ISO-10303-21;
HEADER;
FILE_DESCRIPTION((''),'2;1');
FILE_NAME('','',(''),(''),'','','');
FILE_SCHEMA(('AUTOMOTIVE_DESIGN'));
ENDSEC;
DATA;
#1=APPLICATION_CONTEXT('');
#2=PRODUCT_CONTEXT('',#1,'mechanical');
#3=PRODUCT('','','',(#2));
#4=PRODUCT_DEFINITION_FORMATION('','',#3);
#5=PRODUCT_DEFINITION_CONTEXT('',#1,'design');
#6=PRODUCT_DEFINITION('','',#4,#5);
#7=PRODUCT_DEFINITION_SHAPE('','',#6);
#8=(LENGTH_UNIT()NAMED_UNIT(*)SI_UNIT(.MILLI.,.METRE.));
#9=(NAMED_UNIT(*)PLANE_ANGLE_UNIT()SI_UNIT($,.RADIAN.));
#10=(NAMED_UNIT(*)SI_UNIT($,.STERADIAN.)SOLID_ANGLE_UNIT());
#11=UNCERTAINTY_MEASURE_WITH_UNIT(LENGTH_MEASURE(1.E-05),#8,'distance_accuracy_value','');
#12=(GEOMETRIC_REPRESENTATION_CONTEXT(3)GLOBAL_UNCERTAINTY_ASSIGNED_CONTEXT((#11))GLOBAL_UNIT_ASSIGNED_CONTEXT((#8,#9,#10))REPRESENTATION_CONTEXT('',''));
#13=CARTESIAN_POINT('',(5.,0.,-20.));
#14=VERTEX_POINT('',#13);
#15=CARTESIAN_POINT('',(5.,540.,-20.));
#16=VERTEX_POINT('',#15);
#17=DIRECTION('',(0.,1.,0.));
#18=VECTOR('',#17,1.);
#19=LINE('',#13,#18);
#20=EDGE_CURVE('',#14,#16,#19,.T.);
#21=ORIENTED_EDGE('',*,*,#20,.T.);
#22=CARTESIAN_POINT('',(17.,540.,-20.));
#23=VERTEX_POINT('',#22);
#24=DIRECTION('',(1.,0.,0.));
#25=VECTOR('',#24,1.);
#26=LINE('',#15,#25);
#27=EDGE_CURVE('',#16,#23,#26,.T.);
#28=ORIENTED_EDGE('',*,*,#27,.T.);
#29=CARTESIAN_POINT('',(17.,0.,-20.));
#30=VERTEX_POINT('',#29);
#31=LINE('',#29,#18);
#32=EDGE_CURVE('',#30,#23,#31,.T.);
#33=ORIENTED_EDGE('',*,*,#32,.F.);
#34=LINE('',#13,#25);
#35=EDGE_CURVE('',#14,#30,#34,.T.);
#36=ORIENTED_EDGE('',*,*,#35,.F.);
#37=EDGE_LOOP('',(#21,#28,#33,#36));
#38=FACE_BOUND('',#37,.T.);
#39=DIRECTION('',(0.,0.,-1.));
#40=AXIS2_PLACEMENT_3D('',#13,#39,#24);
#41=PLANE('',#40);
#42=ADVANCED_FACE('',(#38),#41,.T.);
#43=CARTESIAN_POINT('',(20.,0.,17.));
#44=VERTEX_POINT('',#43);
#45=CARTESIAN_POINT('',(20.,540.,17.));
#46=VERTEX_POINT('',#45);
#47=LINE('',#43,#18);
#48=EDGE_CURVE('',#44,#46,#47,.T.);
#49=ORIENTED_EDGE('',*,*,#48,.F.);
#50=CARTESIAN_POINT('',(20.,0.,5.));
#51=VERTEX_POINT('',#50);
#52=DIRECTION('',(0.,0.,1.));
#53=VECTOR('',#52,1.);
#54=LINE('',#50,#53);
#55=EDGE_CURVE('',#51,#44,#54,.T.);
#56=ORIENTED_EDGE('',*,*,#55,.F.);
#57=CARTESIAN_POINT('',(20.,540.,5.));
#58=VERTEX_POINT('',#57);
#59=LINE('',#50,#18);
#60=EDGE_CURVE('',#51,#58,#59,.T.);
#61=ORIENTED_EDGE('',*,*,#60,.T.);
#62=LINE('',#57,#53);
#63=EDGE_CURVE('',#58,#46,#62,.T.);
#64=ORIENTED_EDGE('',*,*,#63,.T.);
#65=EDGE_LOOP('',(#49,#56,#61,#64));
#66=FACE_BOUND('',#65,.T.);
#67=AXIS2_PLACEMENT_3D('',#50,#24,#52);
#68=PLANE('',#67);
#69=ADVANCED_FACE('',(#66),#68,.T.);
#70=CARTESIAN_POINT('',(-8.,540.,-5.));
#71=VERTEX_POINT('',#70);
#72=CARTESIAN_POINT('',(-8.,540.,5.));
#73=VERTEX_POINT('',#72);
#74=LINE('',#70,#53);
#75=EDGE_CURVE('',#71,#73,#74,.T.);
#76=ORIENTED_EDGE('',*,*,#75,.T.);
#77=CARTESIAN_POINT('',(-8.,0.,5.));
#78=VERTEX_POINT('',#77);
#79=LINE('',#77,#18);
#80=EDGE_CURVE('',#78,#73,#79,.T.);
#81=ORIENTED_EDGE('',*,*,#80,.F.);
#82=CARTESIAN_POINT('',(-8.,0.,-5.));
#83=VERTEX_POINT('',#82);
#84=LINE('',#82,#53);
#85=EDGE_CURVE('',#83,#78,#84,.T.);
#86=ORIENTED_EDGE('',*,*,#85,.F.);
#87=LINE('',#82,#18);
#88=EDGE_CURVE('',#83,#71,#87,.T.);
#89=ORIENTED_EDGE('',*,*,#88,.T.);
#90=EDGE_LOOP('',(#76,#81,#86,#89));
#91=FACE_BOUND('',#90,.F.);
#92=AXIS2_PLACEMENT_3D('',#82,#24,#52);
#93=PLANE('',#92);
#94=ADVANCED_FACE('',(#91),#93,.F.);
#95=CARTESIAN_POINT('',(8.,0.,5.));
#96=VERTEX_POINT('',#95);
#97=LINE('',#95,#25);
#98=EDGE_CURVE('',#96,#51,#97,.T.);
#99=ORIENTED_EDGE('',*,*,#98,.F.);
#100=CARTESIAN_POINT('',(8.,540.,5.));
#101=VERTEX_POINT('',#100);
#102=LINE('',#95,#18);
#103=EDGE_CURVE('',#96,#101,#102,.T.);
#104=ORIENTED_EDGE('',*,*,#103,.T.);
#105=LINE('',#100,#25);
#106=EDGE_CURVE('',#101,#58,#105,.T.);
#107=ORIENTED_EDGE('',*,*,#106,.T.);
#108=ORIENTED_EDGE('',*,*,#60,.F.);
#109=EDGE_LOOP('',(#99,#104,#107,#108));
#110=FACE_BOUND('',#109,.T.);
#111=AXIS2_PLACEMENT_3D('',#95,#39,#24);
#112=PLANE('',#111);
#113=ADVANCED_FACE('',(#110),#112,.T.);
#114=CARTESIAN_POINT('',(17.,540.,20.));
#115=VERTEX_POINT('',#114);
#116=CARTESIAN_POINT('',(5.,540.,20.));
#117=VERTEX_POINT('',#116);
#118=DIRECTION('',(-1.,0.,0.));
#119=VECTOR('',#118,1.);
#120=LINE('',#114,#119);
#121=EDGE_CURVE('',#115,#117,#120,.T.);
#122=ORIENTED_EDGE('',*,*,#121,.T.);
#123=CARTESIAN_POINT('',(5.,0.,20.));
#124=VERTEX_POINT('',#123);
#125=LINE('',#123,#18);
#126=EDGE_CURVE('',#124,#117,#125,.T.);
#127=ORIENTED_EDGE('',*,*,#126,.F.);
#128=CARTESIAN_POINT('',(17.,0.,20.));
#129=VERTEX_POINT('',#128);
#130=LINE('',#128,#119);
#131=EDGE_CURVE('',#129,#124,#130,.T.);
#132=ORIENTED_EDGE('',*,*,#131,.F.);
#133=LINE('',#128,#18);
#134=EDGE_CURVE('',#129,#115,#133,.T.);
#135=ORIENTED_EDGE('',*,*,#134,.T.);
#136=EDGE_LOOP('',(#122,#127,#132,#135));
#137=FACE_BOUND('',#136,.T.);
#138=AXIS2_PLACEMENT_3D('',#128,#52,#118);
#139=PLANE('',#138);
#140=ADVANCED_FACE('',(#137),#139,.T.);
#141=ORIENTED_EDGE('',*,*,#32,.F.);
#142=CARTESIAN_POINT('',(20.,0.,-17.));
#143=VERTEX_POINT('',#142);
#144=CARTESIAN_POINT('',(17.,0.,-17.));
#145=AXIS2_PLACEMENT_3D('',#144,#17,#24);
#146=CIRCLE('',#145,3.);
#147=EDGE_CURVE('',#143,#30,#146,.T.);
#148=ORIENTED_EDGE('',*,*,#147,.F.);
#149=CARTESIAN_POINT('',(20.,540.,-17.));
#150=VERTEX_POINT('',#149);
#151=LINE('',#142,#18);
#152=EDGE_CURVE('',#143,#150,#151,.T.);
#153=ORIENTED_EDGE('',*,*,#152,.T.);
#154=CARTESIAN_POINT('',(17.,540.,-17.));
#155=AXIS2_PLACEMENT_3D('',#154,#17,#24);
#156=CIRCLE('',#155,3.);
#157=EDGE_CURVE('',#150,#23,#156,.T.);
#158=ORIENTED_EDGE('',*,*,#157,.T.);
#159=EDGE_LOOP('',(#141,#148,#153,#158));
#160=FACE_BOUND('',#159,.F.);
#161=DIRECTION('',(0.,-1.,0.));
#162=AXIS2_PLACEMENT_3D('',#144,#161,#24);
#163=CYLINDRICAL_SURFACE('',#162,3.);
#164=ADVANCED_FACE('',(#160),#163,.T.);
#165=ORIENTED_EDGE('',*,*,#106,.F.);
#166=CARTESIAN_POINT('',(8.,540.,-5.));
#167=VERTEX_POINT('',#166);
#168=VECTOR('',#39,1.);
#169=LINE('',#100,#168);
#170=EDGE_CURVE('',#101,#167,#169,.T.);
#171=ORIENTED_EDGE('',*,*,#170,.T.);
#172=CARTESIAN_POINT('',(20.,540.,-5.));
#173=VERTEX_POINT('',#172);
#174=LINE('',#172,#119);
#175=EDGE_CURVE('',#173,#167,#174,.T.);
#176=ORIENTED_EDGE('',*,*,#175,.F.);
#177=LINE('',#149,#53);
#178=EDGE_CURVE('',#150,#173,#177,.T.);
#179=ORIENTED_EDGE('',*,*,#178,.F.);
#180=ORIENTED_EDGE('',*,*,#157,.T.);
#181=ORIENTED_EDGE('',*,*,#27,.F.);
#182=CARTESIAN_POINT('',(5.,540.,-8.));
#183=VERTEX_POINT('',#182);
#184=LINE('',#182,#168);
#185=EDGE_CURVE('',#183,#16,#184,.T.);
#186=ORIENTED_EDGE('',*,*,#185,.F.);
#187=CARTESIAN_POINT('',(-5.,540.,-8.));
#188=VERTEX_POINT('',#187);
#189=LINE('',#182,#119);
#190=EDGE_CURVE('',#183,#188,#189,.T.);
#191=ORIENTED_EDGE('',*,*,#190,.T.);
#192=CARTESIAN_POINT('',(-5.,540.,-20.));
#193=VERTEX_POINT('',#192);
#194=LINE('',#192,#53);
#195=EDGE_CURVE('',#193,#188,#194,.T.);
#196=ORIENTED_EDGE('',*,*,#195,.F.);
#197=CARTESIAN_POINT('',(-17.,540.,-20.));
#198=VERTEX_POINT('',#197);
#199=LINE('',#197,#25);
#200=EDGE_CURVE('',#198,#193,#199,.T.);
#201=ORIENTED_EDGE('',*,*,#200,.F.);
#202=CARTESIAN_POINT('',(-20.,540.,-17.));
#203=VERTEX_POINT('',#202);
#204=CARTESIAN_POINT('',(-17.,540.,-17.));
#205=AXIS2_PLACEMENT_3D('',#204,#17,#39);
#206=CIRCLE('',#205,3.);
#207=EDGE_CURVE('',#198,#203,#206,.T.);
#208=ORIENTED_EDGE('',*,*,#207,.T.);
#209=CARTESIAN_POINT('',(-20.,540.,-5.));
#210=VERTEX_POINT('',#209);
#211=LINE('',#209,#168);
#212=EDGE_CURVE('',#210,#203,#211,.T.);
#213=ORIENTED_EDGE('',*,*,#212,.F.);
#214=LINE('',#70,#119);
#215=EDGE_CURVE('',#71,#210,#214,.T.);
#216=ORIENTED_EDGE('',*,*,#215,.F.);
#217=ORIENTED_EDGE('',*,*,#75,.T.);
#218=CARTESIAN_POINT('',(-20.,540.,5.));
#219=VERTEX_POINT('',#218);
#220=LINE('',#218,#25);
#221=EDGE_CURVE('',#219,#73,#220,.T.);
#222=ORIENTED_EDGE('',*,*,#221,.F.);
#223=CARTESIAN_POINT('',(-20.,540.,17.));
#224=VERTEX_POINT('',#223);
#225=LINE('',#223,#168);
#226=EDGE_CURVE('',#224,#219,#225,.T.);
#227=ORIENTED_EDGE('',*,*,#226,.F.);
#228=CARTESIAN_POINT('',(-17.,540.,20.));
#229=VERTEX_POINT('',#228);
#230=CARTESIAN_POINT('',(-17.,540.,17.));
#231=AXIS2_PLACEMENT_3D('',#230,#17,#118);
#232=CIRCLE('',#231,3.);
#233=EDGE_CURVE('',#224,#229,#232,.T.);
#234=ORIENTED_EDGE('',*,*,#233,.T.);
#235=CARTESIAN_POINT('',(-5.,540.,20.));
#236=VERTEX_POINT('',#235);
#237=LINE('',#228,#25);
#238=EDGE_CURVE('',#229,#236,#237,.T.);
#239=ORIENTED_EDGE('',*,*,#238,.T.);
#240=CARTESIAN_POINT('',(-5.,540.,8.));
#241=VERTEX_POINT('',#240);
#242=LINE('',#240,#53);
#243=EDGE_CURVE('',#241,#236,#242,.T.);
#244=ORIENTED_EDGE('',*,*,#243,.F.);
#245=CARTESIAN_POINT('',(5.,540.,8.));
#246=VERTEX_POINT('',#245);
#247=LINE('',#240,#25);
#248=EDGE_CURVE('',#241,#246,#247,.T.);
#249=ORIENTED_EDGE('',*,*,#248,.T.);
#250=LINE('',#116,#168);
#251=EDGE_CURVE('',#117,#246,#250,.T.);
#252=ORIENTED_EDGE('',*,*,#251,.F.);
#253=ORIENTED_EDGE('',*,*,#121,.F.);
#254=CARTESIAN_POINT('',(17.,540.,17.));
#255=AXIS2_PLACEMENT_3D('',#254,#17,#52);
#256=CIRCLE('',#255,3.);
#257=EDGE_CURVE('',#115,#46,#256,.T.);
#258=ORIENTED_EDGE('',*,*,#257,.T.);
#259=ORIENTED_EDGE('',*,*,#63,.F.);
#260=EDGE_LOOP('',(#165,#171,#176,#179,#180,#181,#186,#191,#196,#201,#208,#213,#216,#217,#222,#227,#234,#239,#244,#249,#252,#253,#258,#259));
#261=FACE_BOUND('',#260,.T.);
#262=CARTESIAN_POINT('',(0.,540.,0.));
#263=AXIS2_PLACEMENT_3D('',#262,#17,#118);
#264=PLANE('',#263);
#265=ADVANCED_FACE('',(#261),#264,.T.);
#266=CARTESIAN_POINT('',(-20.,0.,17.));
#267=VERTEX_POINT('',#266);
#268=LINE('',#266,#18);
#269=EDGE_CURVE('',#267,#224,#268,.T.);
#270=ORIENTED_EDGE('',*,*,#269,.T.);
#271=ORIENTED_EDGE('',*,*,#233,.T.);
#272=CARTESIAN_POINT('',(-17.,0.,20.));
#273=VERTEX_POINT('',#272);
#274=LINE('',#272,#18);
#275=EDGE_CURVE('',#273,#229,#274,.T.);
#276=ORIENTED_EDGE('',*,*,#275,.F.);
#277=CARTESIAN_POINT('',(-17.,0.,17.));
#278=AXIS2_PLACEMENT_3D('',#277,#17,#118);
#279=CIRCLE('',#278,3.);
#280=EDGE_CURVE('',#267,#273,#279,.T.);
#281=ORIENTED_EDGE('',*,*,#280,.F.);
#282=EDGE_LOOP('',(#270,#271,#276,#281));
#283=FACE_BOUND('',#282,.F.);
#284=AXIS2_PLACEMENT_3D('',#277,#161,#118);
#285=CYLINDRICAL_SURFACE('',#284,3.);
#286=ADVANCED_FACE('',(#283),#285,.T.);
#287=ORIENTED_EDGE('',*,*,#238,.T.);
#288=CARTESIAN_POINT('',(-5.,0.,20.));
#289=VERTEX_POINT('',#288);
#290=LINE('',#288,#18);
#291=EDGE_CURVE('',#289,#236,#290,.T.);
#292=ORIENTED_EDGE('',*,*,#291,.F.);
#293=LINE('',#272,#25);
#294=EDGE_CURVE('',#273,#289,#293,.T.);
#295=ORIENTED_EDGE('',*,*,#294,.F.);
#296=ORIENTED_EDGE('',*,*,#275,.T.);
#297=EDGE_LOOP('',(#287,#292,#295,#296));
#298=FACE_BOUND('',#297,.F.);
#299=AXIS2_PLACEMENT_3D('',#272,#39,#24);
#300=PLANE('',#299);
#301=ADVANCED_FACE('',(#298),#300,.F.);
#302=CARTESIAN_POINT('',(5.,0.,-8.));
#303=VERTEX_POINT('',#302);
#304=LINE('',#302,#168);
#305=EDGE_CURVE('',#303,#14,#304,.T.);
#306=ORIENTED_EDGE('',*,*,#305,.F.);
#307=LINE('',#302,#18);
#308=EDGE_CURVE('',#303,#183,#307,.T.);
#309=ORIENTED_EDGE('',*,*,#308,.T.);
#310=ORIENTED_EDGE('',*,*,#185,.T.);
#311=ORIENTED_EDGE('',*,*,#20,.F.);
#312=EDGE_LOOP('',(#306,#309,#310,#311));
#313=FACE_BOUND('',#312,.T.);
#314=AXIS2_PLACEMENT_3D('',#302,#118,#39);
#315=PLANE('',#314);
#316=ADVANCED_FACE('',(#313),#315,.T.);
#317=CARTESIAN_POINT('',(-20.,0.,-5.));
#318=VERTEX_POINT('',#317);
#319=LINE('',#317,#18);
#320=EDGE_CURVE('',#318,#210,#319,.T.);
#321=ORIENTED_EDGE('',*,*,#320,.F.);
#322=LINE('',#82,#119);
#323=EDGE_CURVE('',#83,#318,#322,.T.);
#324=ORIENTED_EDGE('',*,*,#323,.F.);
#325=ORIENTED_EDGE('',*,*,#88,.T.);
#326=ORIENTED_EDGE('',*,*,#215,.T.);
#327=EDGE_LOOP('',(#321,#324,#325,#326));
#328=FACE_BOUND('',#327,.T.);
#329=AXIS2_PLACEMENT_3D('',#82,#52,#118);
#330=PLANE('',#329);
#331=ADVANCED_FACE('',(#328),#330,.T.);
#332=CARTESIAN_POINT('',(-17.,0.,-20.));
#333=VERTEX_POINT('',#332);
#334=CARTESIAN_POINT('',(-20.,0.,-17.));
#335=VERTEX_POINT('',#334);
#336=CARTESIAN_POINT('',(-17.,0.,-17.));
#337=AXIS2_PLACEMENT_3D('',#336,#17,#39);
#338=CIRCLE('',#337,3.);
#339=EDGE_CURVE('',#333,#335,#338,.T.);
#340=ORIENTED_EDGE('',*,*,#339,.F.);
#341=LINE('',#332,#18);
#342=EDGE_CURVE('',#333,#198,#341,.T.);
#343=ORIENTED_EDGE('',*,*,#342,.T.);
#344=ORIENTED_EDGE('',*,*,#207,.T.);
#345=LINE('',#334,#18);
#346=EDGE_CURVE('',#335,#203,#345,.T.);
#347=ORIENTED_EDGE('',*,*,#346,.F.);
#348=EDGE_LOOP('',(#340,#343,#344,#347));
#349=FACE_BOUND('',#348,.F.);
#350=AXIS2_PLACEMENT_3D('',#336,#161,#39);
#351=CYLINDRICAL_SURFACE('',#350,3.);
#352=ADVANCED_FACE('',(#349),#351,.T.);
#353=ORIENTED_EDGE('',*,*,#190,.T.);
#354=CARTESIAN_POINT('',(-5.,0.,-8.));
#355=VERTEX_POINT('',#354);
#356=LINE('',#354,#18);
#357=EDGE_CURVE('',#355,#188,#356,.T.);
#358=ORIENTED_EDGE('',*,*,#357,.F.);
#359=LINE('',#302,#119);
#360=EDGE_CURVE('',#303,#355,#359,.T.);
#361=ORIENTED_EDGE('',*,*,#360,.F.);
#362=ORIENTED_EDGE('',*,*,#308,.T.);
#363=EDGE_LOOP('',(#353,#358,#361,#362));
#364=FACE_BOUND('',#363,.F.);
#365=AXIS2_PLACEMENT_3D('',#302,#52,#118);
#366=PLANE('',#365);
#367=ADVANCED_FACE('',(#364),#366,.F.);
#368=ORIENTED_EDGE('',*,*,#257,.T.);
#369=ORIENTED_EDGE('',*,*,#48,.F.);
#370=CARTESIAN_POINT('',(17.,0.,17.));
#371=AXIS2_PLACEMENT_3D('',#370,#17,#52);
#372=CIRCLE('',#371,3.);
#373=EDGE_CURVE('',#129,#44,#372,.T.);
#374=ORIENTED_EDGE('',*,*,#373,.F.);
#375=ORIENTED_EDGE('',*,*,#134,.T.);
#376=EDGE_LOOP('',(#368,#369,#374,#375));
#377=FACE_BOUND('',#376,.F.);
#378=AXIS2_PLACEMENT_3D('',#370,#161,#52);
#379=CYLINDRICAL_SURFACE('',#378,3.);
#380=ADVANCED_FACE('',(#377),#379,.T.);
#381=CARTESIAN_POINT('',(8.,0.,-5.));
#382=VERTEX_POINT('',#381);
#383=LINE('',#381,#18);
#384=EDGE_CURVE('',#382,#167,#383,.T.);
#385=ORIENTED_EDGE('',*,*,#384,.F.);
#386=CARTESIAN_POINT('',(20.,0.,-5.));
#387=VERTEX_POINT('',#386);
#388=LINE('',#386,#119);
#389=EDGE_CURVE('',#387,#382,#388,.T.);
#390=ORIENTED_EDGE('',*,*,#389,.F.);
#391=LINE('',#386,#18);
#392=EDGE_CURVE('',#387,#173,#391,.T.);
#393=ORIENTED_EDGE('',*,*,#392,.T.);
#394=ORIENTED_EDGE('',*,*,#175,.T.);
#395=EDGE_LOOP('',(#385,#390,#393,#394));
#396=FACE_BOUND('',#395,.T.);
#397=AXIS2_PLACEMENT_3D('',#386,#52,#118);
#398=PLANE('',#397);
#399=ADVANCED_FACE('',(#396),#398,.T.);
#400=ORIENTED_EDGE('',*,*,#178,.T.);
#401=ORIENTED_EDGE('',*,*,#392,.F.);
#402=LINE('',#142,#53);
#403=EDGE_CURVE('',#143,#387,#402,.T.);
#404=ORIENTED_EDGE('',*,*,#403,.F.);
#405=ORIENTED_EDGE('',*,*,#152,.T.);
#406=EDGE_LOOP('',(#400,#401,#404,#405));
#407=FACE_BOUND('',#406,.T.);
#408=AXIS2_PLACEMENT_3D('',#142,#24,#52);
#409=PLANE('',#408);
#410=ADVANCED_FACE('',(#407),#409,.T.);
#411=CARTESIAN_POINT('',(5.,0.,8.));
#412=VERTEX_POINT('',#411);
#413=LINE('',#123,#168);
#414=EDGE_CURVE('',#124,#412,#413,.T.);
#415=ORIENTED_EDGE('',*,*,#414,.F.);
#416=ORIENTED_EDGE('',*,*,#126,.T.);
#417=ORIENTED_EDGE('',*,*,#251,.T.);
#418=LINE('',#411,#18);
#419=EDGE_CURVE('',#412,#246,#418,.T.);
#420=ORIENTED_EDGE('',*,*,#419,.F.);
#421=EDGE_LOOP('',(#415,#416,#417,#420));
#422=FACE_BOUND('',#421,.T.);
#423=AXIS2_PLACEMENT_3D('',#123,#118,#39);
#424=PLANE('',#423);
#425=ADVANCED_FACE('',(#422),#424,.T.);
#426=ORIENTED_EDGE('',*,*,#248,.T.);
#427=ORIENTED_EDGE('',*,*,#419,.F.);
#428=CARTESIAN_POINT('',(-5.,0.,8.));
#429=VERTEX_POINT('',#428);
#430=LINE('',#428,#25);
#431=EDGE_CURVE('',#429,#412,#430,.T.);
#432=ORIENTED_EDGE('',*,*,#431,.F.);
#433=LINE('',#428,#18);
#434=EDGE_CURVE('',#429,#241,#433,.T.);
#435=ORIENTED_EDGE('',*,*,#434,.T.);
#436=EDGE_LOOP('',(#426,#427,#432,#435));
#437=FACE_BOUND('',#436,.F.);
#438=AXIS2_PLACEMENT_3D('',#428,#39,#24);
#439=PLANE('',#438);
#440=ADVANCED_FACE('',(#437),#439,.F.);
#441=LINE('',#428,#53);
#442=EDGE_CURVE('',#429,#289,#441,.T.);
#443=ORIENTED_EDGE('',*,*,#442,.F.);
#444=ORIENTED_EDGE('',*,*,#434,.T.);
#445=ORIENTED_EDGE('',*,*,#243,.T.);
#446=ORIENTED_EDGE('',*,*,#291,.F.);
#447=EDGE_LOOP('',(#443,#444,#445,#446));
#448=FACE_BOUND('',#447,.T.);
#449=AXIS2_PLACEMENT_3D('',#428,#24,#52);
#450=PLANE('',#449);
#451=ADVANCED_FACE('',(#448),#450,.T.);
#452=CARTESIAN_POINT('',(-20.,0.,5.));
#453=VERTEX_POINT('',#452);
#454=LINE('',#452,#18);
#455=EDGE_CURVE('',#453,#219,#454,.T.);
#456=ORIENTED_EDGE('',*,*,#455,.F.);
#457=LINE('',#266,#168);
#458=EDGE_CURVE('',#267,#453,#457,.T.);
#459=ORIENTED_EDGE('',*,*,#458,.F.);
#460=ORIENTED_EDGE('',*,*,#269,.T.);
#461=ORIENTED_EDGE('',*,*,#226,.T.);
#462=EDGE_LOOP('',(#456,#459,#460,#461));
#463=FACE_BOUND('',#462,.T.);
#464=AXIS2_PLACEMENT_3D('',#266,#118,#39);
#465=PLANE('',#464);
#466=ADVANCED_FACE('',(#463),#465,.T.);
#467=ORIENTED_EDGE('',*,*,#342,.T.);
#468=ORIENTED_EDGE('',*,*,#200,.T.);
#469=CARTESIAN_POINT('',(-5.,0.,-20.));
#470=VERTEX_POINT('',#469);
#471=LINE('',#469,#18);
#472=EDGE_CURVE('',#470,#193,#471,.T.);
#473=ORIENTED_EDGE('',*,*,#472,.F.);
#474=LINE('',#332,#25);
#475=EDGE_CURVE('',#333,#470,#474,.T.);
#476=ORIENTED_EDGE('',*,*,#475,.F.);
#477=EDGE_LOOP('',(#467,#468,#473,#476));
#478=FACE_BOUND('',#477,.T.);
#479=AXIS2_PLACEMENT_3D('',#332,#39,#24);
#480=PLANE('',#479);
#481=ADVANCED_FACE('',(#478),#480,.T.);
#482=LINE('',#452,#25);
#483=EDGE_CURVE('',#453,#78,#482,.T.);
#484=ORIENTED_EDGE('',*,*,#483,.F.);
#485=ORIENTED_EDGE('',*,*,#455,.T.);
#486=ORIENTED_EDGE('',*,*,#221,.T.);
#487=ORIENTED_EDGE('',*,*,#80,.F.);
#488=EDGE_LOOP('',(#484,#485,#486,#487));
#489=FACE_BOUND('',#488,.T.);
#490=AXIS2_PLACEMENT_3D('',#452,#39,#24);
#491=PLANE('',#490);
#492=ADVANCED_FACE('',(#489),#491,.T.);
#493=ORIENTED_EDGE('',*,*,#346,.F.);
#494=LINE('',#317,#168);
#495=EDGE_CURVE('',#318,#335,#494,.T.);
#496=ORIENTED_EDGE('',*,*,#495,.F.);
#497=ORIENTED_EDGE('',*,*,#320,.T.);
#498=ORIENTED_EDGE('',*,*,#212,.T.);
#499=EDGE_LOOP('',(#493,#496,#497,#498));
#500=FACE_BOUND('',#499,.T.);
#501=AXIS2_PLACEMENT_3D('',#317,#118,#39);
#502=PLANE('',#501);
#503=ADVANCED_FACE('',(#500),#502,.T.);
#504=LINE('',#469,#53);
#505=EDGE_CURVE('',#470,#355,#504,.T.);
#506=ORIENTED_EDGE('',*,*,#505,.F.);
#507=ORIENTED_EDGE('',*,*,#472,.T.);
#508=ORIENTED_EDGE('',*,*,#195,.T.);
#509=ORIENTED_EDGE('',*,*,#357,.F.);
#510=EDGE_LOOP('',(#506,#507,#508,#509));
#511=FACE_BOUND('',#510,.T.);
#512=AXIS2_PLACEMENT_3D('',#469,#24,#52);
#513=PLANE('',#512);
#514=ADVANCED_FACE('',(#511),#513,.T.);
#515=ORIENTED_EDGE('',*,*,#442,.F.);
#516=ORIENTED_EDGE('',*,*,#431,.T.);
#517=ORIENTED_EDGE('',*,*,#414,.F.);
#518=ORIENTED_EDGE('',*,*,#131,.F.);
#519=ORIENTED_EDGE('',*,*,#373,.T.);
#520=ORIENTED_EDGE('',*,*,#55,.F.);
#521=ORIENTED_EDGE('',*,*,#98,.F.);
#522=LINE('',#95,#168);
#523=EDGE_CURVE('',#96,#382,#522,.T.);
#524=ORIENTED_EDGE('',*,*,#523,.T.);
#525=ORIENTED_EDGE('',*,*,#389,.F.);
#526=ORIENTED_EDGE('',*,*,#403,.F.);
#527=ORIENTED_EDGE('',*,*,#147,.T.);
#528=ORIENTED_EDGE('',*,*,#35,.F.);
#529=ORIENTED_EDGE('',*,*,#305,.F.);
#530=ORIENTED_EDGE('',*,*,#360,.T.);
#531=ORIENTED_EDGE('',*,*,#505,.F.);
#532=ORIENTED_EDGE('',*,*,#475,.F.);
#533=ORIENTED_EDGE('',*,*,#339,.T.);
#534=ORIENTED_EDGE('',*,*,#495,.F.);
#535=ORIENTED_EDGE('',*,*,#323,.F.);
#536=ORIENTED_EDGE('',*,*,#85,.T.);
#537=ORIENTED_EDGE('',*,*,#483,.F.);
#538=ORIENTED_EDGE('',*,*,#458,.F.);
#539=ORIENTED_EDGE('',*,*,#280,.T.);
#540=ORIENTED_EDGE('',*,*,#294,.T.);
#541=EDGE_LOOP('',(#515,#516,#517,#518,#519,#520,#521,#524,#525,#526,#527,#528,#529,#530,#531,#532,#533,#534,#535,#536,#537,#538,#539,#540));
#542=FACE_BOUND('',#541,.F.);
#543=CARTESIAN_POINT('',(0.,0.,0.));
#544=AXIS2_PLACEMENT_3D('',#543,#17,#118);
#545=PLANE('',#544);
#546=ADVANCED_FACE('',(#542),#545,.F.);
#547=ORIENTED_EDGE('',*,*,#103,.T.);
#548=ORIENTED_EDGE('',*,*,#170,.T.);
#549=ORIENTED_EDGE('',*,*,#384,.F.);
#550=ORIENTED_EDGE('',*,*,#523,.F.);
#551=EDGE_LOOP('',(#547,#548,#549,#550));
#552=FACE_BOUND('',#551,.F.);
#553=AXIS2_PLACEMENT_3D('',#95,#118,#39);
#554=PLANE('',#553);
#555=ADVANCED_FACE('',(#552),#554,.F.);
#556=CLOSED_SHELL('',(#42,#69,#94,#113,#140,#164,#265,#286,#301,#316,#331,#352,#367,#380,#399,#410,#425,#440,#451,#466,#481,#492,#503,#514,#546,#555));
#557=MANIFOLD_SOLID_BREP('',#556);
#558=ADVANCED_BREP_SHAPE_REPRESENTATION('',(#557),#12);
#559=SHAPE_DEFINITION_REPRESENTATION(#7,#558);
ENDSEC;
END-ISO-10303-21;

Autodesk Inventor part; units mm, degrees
ref_plane "YZ Plane" through (0, 0, 0) normal (1, 0, 0) x (0, 1, 0)
ref_plane "XZ Plane" through (0, 0, 0) normal (0, 1, 0) x (-1, 0, 0)
ref_plane "XY Plane" through (0, 0, 0) normal (0, 0, 1) x (1, 0, 0)
sketch "Sketch1" plane through (0, 0, 0) normal (0, 1, 0) x (-1, 0, 0)
  line L0 (-5, 20) -> (-5, 8)
  line L1 (5, -20) -> (5, -8)
  line L2 (20, 5) -> (8, 5)
  line L3 (-20, -5) -> (-8, -5)
  line L4 (8, -5) -> (20, -5)
  line L5 (-8, 5) -> (-20, 5)
  line L6 (-5, -8) -> (-5, -20)
  line L7 (5, 8) -> (5, 20)
  arc A0 (-17, 20) -> (-20, 17) centre (-17, 17) ccw
  arc A1 (-20, -17) -> (-17, -20) centre (-17, -17) ccw
  arc A2 (17, -20) -> (20, -17) centre (17, -17) ccw
  arc A3 (20, 17) -> (17, 20) centre (17, 17) ccw
  line L8 (20, 17) -> (20, 5)
  line L9 (20, -5) -> (20, -17)
  line L10 (17, -20) -> (5, -20)
  line L11 (-5, -20) -> (-17, -20)
  line L12 (-20, -17) -> (-20, -5)
  line L13 (-20, 5) -> (-20, 17)
  line L14 (-17, 20) -> (-5, 20)
  line L15 (17, 20) -> (5, 20)
  line L16 (5, 8) -> (-5, 8)
  line L17 (-8, 5) -> (-8, -5)
  line L18 (-5, -8) -> (5, -8)
  line L19 (8, -5) -> (8, 5)
  point P0 (0, 0)
extrude "Extrusion1" add sketch "Sketch1" along normal blind 540
properties part number "column"
